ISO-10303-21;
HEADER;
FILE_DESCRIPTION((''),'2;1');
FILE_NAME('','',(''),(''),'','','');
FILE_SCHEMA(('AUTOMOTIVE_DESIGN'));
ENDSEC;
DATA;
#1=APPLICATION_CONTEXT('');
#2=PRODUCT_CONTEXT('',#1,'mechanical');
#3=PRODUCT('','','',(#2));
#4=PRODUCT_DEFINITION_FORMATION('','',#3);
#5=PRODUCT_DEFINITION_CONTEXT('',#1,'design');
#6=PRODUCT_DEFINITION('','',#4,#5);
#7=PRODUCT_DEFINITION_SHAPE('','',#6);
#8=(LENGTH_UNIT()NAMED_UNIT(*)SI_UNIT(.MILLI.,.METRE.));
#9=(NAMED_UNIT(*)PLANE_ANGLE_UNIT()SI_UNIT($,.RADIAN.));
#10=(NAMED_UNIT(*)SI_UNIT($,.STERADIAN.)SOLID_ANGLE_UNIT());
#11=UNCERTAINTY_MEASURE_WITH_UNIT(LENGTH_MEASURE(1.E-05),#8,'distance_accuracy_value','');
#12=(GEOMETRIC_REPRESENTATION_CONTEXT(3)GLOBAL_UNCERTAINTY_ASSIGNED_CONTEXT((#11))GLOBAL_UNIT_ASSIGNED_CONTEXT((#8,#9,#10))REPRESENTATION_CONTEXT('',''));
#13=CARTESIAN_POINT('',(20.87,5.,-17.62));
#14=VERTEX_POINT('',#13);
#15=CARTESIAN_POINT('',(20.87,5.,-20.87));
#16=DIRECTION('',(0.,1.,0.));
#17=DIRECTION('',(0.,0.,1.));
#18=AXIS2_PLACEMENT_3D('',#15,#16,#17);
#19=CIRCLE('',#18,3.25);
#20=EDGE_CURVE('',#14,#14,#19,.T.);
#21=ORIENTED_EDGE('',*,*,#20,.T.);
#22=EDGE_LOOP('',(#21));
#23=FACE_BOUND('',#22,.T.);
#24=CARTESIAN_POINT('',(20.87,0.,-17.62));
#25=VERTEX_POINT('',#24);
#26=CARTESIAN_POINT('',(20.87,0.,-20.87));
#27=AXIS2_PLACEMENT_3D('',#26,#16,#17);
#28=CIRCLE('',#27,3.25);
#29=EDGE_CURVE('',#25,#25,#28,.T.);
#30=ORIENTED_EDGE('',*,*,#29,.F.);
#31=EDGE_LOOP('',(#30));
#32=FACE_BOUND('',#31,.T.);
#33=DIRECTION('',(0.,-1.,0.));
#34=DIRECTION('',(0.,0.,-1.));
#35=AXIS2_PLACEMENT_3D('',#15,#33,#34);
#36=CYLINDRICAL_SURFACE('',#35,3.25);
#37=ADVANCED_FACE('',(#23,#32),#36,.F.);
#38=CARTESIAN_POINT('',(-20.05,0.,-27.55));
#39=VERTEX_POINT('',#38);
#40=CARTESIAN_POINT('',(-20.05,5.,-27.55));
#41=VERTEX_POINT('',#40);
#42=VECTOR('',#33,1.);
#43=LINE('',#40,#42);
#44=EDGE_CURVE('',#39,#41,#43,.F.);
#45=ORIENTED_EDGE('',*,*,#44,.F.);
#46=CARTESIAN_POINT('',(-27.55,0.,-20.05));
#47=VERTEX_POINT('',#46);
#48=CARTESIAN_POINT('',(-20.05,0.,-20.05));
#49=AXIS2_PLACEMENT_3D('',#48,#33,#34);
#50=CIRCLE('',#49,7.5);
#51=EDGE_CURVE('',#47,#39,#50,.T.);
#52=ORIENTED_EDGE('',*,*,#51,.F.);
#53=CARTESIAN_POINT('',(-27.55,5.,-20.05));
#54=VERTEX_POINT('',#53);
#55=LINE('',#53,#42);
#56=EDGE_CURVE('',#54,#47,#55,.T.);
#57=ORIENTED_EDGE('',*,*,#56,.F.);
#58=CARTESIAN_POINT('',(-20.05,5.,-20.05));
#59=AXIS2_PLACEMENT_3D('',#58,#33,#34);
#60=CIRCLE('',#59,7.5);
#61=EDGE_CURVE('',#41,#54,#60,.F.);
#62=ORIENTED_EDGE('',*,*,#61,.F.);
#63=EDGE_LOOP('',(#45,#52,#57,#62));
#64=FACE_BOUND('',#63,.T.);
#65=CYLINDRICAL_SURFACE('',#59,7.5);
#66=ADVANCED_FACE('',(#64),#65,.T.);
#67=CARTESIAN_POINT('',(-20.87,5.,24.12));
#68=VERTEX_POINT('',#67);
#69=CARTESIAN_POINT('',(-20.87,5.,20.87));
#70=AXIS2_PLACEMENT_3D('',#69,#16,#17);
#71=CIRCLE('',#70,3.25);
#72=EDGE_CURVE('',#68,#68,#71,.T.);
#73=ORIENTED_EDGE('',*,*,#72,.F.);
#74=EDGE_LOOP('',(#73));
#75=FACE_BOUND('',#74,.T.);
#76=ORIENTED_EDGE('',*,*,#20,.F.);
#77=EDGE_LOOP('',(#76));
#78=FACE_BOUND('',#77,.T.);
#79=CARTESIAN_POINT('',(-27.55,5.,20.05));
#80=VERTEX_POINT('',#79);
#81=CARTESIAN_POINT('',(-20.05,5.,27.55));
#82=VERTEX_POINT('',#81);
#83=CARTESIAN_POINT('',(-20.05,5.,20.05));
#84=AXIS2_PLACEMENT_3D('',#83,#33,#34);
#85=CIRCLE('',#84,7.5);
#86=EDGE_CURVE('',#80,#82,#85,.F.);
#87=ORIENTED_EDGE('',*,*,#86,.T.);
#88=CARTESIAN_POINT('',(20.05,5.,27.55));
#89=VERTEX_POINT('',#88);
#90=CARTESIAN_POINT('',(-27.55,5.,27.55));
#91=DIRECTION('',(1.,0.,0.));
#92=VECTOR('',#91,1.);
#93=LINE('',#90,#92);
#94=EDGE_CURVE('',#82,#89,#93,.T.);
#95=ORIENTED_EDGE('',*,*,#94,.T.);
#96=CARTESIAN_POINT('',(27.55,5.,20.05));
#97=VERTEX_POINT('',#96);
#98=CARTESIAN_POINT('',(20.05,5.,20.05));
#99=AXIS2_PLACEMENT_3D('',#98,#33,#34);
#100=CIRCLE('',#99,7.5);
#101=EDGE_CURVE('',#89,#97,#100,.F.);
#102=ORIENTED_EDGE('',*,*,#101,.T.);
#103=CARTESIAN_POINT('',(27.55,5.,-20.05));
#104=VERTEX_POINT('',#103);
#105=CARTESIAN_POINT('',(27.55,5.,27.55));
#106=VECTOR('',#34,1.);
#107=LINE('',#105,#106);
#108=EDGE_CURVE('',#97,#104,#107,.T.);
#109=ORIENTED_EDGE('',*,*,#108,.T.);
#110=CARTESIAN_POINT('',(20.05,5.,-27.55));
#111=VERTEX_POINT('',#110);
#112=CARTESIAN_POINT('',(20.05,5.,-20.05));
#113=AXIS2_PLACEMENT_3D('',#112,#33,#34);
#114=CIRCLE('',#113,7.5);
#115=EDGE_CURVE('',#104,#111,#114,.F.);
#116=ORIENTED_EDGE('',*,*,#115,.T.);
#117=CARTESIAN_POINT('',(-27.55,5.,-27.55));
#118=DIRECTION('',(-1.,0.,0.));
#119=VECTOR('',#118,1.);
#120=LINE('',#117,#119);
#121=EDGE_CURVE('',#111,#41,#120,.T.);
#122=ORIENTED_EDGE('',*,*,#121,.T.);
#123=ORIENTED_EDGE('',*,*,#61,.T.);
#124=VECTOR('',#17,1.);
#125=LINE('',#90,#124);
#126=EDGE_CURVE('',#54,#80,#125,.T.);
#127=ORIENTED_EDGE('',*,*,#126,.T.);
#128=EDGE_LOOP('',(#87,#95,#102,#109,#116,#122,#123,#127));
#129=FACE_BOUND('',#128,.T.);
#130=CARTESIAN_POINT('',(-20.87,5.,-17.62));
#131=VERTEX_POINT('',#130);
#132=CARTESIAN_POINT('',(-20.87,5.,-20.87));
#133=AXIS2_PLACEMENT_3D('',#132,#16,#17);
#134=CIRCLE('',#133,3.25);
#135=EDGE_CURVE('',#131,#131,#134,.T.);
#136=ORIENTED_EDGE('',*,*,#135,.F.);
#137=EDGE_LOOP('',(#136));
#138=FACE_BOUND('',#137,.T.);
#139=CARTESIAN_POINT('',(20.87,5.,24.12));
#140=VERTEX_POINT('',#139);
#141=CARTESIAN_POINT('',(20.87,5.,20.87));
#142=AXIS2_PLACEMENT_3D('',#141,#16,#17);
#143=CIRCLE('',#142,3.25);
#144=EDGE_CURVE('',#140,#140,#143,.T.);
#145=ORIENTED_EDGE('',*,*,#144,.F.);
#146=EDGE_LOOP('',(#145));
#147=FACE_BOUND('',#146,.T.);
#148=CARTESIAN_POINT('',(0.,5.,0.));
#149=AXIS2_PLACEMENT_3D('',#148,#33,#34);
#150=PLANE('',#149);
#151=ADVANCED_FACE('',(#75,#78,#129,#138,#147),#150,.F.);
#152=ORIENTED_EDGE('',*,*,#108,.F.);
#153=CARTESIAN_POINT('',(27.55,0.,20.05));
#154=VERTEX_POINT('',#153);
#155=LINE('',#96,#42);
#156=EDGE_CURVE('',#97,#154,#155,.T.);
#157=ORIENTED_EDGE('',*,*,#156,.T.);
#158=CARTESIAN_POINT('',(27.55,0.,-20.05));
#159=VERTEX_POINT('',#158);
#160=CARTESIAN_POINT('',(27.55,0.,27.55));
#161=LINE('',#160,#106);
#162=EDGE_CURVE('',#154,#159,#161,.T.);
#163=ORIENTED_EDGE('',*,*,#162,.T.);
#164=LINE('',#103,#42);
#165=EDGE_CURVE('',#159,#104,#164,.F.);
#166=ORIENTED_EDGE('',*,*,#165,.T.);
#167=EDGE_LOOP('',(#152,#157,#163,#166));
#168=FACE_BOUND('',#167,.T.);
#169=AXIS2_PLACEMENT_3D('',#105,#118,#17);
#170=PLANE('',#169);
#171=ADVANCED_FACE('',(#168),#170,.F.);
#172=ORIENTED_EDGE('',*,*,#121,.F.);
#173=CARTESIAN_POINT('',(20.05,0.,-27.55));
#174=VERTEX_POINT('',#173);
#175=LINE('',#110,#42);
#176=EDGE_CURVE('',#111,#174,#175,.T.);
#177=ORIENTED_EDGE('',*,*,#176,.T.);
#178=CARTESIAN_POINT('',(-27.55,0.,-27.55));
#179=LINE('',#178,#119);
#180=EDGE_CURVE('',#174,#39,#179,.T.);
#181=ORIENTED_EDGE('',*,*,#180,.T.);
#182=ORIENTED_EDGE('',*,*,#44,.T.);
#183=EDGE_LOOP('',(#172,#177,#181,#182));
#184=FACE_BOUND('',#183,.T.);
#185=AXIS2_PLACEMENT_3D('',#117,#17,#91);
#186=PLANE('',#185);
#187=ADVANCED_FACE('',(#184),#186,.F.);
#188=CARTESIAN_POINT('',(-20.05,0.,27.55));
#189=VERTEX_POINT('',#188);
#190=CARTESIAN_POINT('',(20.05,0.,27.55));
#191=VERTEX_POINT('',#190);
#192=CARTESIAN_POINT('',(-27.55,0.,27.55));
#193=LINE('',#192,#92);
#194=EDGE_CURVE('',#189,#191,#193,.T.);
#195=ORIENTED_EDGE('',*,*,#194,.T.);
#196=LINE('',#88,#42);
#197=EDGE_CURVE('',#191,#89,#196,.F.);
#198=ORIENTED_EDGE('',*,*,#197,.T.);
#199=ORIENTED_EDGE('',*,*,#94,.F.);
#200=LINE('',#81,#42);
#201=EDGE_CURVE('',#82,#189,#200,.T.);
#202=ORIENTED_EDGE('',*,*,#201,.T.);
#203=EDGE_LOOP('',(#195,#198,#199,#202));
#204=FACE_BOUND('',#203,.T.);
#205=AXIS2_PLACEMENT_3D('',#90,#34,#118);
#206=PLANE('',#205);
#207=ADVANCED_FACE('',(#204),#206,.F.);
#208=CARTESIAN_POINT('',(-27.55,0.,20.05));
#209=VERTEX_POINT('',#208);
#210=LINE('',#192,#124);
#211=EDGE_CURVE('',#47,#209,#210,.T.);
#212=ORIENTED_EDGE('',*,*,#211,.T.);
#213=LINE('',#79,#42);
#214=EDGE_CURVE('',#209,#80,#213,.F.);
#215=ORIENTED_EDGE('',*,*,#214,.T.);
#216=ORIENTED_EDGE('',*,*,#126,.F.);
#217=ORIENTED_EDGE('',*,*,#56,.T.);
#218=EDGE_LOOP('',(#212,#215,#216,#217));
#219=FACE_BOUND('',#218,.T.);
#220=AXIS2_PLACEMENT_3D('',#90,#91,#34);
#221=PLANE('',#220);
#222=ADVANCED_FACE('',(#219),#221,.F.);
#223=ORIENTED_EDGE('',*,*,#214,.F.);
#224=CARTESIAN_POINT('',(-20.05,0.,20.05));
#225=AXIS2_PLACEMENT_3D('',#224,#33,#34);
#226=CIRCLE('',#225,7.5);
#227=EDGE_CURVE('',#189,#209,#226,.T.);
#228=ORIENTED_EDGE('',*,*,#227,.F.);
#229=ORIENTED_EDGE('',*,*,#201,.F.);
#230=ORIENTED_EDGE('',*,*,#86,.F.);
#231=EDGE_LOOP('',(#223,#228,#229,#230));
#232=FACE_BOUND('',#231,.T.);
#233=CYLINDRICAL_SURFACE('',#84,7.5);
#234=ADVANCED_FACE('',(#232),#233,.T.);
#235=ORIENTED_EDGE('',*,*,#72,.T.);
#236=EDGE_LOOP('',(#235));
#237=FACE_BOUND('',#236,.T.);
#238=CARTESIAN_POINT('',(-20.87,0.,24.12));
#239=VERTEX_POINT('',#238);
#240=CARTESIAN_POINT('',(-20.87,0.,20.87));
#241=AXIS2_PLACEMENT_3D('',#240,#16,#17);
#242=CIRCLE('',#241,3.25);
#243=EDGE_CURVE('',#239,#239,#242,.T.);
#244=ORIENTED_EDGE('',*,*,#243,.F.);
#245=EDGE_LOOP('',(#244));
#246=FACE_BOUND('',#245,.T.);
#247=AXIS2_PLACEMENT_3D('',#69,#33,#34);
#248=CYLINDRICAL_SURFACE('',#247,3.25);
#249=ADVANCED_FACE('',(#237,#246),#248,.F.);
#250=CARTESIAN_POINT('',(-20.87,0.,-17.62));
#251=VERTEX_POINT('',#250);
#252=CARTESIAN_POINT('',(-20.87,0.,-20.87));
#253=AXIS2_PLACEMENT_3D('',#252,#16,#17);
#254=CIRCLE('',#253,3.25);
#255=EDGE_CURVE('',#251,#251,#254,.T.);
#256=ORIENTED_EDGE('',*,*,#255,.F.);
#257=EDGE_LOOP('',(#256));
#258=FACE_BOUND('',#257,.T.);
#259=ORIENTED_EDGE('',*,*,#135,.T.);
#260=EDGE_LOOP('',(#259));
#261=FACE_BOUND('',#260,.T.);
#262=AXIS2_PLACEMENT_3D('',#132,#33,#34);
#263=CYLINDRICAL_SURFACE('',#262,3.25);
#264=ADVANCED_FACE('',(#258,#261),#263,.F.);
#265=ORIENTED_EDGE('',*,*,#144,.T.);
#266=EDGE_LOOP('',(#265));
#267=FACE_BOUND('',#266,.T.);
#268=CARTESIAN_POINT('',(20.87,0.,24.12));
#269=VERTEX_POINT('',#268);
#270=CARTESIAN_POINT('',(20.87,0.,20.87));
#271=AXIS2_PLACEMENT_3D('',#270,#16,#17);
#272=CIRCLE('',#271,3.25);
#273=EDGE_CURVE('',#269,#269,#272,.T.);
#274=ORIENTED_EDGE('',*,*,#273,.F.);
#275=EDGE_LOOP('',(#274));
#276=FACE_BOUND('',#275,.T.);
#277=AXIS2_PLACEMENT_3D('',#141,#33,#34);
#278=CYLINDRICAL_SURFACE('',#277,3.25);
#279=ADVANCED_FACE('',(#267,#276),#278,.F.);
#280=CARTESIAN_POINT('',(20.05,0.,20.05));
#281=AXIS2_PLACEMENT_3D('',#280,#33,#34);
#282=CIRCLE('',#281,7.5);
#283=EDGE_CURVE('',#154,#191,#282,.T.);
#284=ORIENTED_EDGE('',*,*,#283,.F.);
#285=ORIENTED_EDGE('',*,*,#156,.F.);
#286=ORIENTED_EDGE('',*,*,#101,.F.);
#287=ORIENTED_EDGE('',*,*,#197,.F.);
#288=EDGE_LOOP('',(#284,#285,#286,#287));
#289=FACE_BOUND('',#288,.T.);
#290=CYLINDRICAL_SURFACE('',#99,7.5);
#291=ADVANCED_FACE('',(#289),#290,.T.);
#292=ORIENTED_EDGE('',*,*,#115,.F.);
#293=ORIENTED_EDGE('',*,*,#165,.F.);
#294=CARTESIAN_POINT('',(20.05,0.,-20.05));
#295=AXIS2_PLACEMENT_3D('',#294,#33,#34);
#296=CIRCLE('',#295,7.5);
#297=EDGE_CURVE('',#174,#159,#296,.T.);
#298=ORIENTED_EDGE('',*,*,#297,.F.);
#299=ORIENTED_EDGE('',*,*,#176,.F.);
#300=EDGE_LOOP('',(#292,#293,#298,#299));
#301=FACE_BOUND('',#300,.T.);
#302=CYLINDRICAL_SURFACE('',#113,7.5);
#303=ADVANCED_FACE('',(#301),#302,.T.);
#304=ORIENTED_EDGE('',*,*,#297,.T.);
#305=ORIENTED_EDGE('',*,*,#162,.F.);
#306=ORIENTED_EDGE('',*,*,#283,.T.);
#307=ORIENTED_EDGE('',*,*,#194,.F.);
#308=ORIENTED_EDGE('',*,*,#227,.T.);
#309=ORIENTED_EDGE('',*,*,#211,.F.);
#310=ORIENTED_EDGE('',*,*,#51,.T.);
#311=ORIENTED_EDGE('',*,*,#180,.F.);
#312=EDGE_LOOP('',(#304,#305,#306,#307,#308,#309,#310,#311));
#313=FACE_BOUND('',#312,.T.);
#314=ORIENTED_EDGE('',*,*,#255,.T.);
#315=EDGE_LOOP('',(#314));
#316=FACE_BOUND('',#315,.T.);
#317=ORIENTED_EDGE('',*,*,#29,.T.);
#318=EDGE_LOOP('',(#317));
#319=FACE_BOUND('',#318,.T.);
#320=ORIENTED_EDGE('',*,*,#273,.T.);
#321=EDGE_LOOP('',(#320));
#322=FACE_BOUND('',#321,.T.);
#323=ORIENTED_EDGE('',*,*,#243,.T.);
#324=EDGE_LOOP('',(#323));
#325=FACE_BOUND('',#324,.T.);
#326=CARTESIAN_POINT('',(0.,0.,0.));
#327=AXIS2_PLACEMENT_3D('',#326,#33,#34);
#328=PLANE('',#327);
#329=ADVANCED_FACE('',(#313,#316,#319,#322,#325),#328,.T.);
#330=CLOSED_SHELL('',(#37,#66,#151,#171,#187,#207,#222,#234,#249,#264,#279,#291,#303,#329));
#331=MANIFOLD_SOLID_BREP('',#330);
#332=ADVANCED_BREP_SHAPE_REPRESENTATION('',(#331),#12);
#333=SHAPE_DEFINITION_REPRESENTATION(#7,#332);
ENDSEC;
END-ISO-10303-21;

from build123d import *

# Parameters (mm, degrees)
SKETCH1_W           = 55.1
SKETCH1_H           = 55.1
SKETCH1_R           = 3.25
BOSS_EXTRUDE1_DEPTH = 5
FILLET1_R           = 7.5


with BuildPart() as part:
    # Sketch1 → Boss-Extrude1 (new body)
    with BuildSketch(Plane(origin=(0, 0, 0), x_dir=(1, 0, 0), z_dir=(0, 1, 0))):
        Rectangle(SKETCH1_W, SKETCH1_H)
        with Locations((20.87, -20.87)):
            Circle(SKETCH1_R, mode=Mode.SUBTRACT)
        with Locations((-20.87, -20.87)):
            Circle(SKETCH1_R, mode=Mode.SUBTRACT)
        with Locations((-20.87, 20.87)):
            Circle(SKETCH1_R, mode=Mode.SUBTRACT)
        with Locations((20.87, 20.87)):
            Circle(SKETCH1_R, mode=Mode.SUBTRACT)
    extrude(amount=BOSS_EXTRUDE1_DEPTH)

    # Fillet1
    fillet1_edges = [part.edges().sort_by_distance(p)[0] for p in [
        (27.55, 2.5, 27.55),
        (-27.55, 2.5, 27.55),
        (-27.55, 2.5, -27.55),
        (27.55, 2.5, -27.55),
    ]]
    fillet(fillet1_edges, radius=FILLET1_R)


solid = part.part
